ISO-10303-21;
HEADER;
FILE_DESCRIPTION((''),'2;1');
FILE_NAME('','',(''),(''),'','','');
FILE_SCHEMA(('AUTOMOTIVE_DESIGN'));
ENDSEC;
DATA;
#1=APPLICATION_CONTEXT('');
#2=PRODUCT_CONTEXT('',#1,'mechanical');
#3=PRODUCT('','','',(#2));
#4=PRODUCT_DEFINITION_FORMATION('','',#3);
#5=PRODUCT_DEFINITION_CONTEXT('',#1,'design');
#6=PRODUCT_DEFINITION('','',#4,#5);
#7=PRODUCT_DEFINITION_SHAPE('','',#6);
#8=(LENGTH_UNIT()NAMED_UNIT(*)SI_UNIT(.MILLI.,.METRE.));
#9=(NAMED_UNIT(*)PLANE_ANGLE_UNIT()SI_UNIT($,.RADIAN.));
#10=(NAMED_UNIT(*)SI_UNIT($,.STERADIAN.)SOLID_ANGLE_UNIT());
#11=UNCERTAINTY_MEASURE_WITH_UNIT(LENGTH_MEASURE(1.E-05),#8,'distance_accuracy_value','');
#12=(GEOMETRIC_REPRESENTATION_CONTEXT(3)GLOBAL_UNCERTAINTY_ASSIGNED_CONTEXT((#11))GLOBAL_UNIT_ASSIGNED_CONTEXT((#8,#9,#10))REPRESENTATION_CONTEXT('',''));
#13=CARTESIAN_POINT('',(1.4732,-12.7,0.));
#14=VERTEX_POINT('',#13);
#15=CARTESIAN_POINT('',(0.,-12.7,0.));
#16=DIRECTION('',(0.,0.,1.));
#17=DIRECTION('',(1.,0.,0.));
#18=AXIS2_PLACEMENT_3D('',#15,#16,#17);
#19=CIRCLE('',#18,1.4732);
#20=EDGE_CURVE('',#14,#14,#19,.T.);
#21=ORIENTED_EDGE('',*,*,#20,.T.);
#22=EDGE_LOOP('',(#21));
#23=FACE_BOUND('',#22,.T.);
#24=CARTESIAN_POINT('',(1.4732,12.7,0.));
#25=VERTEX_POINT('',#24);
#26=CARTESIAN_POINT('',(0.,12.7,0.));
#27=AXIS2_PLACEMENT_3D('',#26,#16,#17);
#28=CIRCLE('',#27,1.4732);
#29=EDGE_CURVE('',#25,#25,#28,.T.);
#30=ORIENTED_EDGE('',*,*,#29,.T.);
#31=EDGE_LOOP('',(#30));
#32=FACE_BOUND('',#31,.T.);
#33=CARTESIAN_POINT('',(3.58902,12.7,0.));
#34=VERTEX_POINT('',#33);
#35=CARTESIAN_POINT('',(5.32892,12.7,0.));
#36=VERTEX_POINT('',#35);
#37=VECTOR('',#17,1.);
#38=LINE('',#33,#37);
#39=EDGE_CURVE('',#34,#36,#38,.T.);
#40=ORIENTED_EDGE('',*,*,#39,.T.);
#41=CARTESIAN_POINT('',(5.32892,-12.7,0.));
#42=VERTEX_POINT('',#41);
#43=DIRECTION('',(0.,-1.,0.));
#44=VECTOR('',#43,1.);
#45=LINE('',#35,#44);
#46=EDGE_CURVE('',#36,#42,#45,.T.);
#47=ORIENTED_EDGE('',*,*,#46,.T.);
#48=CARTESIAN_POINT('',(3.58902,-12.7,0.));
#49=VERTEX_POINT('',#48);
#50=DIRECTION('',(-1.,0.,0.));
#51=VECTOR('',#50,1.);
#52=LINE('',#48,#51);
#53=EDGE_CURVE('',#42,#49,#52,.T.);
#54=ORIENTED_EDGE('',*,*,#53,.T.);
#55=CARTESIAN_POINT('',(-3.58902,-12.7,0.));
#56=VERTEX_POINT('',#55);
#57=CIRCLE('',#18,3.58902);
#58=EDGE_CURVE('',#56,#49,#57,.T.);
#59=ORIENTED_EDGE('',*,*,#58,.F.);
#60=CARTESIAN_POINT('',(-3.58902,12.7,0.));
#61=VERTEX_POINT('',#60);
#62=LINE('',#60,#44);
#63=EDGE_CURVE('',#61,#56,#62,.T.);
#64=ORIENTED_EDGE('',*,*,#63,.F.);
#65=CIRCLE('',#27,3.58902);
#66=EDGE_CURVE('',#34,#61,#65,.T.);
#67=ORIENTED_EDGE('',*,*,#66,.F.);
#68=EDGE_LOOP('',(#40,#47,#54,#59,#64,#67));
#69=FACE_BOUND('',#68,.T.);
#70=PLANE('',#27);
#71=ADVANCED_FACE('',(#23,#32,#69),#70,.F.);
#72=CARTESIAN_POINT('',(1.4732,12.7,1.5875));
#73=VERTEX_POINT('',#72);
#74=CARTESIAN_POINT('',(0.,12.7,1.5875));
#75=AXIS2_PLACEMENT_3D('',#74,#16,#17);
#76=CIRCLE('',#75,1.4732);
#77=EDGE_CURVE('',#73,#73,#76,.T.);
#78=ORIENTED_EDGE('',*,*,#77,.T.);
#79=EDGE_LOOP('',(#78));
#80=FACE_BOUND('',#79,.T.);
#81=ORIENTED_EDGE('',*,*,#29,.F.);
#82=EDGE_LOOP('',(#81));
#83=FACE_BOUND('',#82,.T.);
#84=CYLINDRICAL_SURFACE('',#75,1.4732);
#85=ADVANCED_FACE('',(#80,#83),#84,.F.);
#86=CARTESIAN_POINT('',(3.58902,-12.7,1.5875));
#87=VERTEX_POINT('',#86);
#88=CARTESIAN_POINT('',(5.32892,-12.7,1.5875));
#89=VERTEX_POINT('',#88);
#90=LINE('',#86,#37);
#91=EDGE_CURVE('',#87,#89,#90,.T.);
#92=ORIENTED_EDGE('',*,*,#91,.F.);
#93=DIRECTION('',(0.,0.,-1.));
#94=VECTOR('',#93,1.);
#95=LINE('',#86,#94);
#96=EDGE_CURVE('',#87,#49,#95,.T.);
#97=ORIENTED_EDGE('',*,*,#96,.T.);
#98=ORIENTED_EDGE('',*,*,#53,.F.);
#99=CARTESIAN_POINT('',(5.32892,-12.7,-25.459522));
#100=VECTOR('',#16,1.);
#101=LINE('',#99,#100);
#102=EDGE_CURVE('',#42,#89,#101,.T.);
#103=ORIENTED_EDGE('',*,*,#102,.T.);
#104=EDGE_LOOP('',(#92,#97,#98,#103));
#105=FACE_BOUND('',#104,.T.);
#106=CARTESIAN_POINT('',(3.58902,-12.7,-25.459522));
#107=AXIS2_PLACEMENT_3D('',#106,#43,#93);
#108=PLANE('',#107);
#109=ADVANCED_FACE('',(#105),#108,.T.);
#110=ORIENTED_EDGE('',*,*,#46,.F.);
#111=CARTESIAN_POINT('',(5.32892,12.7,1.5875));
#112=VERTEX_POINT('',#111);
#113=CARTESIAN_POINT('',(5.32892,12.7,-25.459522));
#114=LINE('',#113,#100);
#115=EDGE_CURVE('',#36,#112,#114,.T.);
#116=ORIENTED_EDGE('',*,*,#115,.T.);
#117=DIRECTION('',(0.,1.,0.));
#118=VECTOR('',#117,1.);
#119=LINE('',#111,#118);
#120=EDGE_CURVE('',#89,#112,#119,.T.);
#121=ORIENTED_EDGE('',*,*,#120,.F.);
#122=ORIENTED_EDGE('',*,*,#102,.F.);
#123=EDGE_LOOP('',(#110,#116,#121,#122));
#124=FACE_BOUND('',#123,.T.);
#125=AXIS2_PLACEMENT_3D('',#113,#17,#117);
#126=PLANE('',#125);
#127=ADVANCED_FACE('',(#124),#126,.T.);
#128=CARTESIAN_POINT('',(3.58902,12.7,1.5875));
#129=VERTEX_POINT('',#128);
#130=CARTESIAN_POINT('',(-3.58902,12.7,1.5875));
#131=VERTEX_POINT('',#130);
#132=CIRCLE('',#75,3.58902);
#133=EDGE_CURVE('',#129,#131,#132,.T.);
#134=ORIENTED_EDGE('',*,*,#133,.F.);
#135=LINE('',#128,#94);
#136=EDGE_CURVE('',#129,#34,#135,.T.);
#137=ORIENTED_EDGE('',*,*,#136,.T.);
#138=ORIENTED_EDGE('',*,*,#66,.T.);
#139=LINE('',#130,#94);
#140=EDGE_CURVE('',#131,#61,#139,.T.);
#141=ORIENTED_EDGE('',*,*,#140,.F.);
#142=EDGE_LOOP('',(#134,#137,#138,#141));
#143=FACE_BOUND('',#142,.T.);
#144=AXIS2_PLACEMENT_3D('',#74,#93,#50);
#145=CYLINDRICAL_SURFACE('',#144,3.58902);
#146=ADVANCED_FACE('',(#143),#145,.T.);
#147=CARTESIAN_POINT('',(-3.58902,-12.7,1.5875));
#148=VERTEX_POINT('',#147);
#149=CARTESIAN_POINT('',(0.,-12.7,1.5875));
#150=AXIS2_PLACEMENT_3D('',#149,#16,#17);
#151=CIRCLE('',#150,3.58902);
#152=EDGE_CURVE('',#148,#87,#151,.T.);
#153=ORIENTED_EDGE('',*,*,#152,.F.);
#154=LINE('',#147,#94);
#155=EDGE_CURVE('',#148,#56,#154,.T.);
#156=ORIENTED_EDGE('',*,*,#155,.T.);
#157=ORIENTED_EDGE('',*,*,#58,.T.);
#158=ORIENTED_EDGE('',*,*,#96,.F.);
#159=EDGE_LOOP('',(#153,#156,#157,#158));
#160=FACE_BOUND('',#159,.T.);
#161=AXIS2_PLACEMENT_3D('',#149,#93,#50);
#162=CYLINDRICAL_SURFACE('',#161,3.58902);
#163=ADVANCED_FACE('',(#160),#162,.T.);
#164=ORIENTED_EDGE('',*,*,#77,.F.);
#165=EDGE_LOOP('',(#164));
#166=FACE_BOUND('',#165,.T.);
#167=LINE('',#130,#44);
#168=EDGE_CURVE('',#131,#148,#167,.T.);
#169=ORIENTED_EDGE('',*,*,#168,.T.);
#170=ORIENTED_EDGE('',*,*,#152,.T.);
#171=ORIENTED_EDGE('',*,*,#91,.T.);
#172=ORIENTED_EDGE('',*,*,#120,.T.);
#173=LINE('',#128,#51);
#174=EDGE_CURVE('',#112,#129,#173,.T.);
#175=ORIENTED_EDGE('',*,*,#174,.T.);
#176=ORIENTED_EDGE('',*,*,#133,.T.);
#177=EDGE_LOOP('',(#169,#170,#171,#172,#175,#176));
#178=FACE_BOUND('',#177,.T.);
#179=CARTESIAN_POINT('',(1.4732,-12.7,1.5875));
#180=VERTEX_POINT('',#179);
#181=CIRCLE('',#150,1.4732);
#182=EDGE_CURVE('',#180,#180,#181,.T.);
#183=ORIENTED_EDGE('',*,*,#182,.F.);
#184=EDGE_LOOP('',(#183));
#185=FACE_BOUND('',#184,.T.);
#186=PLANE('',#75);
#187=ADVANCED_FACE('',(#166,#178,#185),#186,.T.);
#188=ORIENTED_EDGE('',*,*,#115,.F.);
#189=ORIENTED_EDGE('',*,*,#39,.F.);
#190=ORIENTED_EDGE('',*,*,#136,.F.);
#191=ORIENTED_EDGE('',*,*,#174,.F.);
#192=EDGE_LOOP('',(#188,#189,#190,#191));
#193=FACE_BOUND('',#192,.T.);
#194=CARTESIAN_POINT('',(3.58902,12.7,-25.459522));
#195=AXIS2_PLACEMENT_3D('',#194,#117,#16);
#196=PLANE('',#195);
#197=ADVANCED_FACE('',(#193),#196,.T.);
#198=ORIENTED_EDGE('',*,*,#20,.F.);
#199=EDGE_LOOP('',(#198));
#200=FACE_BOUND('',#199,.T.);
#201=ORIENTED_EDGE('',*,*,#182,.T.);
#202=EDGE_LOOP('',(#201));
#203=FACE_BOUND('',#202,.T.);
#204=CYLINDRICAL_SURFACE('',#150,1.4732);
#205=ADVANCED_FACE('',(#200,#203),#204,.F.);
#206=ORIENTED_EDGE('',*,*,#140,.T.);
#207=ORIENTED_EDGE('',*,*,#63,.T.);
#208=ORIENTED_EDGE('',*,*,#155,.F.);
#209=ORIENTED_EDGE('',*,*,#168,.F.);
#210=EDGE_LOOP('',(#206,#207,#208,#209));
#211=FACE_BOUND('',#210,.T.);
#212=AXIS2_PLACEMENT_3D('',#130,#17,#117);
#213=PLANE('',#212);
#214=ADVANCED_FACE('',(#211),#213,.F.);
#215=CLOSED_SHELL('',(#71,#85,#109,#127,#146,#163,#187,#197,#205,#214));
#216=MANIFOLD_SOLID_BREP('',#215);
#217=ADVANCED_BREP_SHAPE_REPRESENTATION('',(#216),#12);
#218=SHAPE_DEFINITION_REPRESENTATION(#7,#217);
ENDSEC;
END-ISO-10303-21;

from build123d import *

# Parameters (mm, degrees)
BOSS_EXTRUDE1_DEPTH       = 1.5875
F_4_CLEARANCE_HOLE1_D     = 2.9464
F_4_CLEARANCE_HOLE1_DEPTH = 3.302
F_4_CLEARANCE_HOLE1_TIP   = 0.885187864
SKETCH5_W                 = 1.7399
SKETCH5_H                 = 25.4
BOSS_EXTRUDE2_DEPTH       = 1.5875


with BuildPart() as part:
    # Sketch1 → Boss-Extrude1 (new body)
    with BuildSketch(Plane.XY):
        with BuildLine():
            Line((3.58902, 12.7), (3.58902, -12.7))
            ThreePointArc((3.58902, -12.7), (0, -16.28902), (-3.58902, -12.7))
            Line((-3.58902, -12.7), (-3.58902, 12.7))
            ThreePointArc((-3.58902, 12.7), (0, 16.28902), (3.58902, 12.7))
        make_face()
    extrude(amount=BOSS_EXTRUDE1_DEPTH)

    # #4 Clearance Hole1
    with Locations(Plane.XY.offset(1.5875)):
        with Locations((0, 12.7), (0, -12.7)):
            Hole(F_4_CLEARANCE_HOLE1_D / 2, depth=F_4_CLEARANCE_HOLE1_DEPTH)
            with Locations((0, 0, -(F_4_CLEARANCE_HOLE1_DEPTH + F_4_CLEARANCE_HOLE1_TIP / 2))):  # 118° drill point
                Cone(0, F_4_CLEARANCE_HOLE1_D / 2, F_4_CLEARANCE_HOLE1_TIP, mode=Mode.SUBTRACT)

    # Sketch5 → Boss-Extrude2 (add)
    with BuildSketch(Plane.XY.offset(1.5875)):
        with Locations((4.45897, 0)):
            Rectangle(SKETCH5_W, SKETCH5_H)
    extrude(amount=-BOSS_EXTRUDE2_DEPTH)


solid = part.part
